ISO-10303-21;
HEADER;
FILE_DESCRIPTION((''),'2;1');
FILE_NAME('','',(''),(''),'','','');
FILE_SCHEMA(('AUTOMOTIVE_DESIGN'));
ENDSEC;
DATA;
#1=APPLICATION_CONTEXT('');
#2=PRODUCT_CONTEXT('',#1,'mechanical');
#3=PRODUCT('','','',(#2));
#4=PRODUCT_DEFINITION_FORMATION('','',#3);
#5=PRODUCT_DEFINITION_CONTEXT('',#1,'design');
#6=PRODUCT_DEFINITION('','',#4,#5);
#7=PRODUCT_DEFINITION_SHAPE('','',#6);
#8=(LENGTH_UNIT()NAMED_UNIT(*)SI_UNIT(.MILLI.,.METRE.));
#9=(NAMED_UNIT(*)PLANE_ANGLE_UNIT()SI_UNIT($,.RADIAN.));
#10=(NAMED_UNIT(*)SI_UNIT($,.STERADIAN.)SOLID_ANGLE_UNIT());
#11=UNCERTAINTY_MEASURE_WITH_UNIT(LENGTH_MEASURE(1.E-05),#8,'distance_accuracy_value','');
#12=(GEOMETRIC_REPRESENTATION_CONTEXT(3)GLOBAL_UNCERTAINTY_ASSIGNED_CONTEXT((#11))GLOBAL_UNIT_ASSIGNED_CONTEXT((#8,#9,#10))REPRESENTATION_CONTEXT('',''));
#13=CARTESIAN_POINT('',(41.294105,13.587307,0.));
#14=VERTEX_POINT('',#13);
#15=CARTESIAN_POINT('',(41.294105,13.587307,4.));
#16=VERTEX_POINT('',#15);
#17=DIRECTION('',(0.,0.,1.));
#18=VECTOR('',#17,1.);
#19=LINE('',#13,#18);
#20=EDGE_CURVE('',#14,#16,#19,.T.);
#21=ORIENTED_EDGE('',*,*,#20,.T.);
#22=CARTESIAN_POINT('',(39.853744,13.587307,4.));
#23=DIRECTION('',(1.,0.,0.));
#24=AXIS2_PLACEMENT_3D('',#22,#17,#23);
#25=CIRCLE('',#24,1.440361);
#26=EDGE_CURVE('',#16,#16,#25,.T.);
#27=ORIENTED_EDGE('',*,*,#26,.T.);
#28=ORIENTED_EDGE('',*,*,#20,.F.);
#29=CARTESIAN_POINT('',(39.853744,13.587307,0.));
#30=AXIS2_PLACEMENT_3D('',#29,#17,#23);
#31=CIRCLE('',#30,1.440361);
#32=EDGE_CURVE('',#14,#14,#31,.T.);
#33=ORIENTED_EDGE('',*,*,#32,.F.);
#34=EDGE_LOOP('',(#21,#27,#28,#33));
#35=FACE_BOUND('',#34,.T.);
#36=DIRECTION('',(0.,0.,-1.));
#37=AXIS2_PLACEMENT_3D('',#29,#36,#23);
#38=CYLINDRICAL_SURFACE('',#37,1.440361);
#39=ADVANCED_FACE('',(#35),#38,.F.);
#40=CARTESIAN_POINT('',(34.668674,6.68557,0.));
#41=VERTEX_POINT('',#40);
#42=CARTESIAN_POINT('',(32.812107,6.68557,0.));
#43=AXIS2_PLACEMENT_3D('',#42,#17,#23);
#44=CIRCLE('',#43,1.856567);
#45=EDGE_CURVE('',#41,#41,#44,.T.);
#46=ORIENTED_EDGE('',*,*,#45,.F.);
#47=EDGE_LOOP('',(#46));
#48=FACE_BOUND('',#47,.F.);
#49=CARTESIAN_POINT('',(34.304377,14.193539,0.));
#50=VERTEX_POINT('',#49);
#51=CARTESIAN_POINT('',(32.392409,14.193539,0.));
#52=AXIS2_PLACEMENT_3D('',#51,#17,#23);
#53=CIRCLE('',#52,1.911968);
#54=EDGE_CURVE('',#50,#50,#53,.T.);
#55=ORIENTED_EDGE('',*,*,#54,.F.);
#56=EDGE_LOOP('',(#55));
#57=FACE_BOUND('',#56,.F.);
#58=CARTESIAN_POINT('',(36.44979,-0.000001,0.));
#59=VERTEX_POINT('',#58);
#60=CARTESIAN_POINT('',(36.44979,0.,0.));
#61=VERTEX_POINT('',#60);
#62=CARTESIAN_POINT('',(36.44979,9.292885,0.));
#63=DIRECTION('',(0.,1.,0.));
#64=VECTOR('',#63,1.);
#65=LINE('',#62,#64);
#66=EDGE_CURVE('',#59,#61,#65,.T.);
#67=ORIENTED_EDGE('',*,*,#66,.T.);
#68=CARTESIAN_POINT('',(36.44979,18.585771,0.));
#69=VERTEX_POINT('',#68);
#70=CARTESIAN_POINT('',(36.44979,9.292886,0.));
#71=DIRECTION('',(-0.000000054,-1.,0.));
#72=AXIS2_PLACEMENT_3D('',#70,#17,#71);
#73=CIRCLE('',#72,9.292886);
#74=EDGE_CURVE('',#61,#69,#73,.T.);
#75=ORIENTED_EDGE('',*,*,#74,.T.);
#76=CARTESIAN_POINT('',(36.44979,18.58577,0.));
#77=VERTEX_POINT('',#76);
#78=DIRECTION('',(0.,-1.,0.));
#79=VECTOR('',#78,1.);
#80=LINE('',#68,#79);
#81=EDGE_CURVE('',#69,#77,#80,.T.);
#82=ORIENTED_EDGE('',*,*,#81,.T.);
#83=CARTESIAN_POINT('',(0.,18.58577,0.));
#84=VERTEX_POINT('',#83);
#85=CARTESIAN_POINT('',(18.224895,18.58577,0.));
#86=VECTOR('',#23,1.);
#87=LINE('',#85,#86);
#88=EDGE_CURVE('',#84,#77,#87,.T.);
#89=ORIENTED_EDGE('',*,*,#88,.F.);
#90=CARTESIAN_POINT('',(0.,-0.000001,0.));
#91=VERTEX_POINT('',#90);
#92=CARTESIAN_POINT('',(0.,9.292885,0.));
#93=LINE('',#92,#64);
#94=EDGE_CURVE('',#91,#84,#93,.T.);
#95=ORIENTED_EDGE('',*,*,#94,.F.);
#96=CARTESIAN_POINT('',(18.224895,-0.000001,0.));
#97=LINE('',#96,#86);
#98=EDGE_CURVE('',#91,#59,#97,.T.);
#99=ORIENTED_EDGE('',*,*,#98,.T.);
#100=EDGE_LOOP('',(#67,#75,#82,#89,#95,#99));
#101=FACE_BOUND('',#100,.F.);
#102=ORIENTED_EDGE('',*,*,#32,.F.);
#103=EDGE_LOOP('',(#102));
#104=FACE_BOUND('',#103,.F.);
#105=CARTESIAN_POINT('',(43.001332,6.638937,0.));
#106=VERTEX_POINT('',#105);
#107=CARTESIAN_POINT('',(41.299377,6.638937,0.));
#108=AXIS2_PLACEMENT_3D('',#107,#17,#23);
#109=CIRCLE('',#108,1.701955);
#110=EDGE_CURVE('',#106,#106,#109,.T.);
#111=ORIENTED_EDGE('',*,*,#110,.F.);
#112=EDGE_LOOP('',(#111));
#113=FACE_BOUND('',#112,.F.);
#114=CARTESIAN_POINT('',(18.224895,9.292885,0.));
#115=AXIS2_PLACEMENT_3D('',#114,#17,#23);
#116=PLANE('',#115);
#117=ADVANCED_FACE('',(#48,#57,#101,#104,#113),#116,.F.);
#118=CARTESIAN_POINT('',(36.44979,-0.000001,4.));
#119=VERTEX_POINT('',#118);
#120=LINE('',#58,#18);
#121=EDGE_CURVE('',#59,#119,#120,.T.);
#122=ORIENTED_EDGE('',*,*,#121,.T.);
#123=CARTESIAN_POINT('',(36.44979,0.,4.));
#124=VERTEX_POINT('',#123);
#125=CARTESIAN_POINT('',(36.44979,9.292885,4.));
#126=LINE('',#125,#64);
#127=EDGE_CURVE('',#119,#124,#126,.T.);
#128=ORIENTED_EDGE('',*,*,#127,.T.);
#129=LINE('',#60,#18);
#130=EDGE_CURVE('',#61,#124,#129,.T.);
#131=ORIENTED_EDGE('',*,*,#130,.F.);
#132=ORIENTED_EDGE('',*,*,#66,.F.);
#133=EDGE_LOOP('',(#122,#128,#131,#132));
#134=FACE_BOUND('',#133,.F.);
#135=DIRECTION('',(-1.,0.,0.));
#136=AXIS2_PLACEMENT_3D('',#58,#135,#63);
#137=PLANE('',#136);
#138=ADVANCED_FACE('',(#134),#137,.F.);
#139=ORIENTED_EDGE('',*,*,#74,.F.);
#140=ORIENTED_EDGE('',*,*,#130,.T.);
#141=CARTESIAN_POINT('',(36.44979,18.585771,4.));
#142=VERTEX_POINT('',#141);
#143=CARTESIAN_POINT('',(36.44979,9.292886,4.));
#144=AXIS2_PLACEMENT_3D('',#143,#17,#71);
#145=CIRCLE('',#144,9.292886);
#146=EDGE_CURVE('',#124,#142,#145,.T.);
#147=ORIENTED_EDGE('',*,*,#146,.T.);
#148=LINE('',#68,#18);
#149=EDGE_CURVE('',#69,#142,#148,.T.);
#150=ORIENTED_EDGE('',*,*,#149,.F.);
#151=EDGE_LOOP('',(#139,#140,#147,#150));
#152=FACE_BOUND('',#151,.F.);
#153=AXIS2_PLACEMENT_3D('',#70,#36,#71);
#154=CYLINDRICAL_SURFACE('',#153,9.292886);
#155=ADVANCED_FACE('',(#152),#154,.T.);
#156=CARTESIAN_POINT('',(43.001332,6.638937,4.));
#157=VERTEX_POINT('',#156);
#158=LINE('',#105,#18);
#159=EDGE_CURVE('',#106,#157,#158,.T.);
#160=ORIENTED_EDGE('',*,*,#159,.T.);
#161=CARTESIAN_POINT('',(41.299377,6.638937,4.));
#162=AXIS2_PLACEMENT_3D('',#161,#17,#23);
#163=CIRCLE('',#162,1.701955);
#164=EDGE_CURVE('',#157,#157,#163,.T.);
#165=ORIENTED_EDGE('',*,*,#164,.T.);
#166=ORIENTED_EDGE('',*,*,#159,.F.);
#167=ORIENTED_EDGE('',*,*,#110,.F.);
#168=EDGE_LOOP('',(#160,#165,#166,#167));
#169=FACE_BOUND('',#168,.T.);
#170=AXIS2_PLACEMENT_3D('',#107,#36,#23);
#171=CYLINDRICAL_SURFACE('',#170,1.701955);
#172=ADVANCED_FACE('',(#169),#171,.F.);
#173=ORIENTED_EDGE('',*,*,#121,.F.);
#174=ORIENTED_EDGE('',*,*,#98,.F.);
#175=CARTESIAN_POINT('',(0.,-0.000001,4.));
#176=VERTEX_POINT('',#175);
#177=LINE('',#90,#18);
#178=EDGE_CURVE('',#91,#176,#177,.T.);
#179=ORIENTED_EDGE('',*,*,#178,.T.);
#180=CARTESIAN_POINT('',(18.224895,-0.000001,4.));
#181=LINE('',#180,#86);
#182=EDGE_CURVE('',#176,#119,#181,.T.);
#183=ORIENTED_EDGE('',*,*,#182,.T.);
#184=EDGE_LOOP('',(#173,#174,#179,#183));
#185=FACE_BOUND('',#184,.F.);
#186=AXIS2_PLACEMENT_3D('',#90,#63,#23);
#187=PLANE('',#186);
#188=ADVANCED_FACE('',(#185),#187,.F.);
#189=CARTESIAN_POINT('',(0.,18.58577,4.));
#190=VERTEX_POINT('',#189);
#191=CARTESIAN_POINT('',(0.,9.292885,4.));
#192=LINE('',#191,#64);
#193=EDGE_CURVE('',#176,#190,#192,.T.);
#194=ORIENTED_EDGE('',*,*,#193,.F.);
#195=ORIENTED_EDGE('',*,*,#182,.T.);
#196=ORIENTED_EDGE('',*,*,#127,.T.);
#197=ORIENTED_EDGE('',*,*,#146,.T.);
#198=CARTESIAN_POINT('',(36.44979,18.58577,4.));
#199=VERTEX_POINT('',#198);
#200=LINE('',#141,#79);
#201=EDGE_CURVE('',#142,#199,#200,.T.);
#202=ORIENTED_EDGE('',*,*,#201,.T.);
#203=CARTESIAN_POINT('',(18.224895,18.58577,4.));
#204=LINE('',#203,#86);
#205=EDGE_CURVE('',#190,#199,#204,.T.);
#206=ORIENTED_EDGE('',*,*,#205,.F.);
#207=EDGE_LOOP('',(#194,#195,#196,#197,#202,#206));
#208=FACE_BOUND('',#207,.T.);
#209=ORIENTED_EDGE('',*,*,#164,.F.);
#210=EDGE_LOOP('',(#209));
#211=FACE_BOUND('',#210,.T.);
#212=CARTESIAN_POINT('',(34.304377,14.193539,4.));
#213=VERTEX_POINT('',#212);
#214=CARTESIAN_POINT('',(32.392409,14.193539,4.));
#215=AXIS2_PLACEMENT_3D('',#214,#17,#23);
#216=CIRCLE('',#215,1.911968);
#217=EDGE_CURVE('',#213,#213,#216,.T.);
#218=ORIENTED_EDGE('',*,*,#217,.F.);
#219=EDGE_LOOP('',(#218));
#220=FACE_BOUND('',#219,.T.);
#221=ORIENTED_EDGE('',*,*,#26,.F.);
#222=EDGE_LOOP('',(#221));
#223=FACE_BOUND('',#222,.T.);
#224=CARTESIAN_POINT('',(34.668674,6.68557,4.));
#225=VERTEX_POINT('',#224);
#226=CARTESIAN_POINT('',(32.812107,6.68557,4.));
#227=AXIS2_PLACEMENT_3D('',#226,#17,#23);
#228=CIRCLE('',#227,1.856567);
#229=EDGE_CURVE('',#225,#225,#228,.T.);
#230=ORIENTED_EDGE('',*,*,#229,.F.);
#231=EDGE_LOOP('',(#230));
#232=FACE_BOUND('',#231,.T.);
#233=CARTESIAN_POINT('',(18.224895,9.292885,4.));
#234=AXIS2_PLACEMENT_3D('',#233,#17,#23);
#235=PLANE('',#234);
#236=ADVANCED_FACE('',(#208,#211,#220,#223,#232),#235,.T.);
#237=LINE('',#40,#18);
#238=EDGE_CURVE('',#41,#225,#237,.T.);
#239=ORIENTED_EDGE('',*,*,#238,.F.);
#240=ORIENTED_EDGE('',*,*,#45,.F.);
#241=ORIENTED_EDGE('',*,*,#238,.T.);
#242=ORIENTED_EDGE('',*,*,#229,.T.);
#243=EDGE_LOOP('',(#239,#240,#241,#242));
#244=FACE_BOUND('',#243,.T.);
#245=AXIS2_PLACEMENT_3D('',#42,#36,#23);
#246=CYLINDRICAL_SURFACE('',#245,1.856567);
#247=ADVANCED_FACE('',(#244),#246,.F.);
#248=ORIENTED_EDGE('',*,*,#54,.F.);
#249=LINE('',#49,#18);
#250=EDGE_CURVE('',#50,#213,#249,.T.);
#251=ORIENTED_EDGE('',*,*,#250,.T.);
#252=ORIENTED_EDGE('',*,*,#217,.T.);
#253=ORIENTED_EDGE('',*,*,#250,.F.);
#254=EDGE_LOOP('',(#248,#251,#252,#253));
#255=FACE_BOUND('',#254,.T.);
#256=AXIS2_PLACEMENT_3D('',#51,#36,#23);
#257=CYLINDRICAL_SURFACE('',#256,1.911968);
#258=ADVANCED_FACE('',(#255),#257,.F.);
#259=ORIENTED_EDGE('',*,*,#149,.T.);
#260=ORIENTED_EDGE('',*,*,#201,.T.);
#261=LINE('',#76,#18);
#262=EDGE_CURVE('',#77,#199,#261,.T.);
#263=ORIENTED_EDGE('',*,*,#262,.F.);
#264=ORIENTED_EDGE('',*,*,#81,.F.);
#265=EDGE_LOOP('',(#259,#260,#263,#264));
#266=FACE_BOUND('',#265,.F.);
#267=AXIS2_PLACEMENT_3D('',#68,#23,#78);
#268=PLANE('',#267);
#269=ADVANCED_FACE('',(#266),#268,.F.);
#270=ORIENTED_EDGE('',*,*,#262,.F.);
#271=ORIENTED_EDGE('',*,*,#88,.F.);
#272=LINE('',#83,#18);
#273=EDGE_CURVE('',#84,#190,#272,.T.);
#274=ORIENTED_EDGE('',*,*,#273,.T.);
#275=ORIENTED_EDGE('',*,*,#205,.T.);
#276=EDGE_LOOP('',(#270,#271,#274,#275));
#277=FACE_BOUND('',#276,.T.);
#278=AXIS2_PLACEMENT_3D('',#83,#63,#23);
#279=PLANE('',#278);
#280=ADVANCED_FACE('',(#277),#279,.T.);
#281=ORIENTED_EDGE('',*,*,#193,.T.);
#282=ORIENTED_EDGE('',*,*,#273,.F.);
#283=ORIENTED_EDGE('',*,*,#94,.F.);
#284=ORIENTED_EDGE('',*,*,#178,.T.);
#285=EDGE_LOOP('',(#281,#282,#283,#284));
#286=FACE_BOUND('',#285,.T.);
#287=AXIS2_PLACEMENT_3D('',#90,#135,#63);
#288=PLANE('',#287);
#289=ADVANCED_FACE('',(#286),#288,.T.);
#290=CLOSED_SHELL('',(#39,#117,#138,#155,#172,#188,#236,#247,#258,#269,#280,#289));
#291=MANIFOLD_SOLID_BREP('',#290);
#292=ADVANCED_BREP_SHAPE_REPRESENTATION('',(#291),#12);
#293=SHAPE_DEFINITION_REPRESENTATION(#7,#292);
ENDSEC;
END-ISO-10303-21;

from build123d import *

# Parameters (mm, degrees)
F0_W     = 36.44979
F0_H     = 18.585771
F0_R     = 1.856567
F0_R_2   = 1.911968
F0_R_3   = 1.701955
F0_R_4   = 1.440361
F1_DEPTH = 4


with BuildPart() as f1:
    # F0 (on Top) → F1 (new body)
    with BuildSketch(Plane.XY):
        with Locations((18.224895, 9.292885)):
            Rectangle(F0_W, F0_H)
        with Locations((32.812107, 6.68557)):
            Circle(F0_R, mode=Mode.SUBTRACT)
        with Locations((32.392409, 14.193539)):
            Circle(F0_R_2, mode=Mode.SUBTRACT)
        with BuildLine():
            Line((36.44979, 18.585771), (36.44979, 0))
            ThreePointArc((36.44979, 0), (45.742676, 9.292886), (36.44979, 18.585771))
        make_face()
        with Locations((41.299377, 6.638937)):
            Circle(F0_R_3, mode=Mode.SUBTRACT)
        with Locations((39.853744, 13.587307)):
            Circle(F0_R_4, mode=Mode.SUBTRACT)
    extrude(amount=F1_DEPTH)


solid = f1.part
